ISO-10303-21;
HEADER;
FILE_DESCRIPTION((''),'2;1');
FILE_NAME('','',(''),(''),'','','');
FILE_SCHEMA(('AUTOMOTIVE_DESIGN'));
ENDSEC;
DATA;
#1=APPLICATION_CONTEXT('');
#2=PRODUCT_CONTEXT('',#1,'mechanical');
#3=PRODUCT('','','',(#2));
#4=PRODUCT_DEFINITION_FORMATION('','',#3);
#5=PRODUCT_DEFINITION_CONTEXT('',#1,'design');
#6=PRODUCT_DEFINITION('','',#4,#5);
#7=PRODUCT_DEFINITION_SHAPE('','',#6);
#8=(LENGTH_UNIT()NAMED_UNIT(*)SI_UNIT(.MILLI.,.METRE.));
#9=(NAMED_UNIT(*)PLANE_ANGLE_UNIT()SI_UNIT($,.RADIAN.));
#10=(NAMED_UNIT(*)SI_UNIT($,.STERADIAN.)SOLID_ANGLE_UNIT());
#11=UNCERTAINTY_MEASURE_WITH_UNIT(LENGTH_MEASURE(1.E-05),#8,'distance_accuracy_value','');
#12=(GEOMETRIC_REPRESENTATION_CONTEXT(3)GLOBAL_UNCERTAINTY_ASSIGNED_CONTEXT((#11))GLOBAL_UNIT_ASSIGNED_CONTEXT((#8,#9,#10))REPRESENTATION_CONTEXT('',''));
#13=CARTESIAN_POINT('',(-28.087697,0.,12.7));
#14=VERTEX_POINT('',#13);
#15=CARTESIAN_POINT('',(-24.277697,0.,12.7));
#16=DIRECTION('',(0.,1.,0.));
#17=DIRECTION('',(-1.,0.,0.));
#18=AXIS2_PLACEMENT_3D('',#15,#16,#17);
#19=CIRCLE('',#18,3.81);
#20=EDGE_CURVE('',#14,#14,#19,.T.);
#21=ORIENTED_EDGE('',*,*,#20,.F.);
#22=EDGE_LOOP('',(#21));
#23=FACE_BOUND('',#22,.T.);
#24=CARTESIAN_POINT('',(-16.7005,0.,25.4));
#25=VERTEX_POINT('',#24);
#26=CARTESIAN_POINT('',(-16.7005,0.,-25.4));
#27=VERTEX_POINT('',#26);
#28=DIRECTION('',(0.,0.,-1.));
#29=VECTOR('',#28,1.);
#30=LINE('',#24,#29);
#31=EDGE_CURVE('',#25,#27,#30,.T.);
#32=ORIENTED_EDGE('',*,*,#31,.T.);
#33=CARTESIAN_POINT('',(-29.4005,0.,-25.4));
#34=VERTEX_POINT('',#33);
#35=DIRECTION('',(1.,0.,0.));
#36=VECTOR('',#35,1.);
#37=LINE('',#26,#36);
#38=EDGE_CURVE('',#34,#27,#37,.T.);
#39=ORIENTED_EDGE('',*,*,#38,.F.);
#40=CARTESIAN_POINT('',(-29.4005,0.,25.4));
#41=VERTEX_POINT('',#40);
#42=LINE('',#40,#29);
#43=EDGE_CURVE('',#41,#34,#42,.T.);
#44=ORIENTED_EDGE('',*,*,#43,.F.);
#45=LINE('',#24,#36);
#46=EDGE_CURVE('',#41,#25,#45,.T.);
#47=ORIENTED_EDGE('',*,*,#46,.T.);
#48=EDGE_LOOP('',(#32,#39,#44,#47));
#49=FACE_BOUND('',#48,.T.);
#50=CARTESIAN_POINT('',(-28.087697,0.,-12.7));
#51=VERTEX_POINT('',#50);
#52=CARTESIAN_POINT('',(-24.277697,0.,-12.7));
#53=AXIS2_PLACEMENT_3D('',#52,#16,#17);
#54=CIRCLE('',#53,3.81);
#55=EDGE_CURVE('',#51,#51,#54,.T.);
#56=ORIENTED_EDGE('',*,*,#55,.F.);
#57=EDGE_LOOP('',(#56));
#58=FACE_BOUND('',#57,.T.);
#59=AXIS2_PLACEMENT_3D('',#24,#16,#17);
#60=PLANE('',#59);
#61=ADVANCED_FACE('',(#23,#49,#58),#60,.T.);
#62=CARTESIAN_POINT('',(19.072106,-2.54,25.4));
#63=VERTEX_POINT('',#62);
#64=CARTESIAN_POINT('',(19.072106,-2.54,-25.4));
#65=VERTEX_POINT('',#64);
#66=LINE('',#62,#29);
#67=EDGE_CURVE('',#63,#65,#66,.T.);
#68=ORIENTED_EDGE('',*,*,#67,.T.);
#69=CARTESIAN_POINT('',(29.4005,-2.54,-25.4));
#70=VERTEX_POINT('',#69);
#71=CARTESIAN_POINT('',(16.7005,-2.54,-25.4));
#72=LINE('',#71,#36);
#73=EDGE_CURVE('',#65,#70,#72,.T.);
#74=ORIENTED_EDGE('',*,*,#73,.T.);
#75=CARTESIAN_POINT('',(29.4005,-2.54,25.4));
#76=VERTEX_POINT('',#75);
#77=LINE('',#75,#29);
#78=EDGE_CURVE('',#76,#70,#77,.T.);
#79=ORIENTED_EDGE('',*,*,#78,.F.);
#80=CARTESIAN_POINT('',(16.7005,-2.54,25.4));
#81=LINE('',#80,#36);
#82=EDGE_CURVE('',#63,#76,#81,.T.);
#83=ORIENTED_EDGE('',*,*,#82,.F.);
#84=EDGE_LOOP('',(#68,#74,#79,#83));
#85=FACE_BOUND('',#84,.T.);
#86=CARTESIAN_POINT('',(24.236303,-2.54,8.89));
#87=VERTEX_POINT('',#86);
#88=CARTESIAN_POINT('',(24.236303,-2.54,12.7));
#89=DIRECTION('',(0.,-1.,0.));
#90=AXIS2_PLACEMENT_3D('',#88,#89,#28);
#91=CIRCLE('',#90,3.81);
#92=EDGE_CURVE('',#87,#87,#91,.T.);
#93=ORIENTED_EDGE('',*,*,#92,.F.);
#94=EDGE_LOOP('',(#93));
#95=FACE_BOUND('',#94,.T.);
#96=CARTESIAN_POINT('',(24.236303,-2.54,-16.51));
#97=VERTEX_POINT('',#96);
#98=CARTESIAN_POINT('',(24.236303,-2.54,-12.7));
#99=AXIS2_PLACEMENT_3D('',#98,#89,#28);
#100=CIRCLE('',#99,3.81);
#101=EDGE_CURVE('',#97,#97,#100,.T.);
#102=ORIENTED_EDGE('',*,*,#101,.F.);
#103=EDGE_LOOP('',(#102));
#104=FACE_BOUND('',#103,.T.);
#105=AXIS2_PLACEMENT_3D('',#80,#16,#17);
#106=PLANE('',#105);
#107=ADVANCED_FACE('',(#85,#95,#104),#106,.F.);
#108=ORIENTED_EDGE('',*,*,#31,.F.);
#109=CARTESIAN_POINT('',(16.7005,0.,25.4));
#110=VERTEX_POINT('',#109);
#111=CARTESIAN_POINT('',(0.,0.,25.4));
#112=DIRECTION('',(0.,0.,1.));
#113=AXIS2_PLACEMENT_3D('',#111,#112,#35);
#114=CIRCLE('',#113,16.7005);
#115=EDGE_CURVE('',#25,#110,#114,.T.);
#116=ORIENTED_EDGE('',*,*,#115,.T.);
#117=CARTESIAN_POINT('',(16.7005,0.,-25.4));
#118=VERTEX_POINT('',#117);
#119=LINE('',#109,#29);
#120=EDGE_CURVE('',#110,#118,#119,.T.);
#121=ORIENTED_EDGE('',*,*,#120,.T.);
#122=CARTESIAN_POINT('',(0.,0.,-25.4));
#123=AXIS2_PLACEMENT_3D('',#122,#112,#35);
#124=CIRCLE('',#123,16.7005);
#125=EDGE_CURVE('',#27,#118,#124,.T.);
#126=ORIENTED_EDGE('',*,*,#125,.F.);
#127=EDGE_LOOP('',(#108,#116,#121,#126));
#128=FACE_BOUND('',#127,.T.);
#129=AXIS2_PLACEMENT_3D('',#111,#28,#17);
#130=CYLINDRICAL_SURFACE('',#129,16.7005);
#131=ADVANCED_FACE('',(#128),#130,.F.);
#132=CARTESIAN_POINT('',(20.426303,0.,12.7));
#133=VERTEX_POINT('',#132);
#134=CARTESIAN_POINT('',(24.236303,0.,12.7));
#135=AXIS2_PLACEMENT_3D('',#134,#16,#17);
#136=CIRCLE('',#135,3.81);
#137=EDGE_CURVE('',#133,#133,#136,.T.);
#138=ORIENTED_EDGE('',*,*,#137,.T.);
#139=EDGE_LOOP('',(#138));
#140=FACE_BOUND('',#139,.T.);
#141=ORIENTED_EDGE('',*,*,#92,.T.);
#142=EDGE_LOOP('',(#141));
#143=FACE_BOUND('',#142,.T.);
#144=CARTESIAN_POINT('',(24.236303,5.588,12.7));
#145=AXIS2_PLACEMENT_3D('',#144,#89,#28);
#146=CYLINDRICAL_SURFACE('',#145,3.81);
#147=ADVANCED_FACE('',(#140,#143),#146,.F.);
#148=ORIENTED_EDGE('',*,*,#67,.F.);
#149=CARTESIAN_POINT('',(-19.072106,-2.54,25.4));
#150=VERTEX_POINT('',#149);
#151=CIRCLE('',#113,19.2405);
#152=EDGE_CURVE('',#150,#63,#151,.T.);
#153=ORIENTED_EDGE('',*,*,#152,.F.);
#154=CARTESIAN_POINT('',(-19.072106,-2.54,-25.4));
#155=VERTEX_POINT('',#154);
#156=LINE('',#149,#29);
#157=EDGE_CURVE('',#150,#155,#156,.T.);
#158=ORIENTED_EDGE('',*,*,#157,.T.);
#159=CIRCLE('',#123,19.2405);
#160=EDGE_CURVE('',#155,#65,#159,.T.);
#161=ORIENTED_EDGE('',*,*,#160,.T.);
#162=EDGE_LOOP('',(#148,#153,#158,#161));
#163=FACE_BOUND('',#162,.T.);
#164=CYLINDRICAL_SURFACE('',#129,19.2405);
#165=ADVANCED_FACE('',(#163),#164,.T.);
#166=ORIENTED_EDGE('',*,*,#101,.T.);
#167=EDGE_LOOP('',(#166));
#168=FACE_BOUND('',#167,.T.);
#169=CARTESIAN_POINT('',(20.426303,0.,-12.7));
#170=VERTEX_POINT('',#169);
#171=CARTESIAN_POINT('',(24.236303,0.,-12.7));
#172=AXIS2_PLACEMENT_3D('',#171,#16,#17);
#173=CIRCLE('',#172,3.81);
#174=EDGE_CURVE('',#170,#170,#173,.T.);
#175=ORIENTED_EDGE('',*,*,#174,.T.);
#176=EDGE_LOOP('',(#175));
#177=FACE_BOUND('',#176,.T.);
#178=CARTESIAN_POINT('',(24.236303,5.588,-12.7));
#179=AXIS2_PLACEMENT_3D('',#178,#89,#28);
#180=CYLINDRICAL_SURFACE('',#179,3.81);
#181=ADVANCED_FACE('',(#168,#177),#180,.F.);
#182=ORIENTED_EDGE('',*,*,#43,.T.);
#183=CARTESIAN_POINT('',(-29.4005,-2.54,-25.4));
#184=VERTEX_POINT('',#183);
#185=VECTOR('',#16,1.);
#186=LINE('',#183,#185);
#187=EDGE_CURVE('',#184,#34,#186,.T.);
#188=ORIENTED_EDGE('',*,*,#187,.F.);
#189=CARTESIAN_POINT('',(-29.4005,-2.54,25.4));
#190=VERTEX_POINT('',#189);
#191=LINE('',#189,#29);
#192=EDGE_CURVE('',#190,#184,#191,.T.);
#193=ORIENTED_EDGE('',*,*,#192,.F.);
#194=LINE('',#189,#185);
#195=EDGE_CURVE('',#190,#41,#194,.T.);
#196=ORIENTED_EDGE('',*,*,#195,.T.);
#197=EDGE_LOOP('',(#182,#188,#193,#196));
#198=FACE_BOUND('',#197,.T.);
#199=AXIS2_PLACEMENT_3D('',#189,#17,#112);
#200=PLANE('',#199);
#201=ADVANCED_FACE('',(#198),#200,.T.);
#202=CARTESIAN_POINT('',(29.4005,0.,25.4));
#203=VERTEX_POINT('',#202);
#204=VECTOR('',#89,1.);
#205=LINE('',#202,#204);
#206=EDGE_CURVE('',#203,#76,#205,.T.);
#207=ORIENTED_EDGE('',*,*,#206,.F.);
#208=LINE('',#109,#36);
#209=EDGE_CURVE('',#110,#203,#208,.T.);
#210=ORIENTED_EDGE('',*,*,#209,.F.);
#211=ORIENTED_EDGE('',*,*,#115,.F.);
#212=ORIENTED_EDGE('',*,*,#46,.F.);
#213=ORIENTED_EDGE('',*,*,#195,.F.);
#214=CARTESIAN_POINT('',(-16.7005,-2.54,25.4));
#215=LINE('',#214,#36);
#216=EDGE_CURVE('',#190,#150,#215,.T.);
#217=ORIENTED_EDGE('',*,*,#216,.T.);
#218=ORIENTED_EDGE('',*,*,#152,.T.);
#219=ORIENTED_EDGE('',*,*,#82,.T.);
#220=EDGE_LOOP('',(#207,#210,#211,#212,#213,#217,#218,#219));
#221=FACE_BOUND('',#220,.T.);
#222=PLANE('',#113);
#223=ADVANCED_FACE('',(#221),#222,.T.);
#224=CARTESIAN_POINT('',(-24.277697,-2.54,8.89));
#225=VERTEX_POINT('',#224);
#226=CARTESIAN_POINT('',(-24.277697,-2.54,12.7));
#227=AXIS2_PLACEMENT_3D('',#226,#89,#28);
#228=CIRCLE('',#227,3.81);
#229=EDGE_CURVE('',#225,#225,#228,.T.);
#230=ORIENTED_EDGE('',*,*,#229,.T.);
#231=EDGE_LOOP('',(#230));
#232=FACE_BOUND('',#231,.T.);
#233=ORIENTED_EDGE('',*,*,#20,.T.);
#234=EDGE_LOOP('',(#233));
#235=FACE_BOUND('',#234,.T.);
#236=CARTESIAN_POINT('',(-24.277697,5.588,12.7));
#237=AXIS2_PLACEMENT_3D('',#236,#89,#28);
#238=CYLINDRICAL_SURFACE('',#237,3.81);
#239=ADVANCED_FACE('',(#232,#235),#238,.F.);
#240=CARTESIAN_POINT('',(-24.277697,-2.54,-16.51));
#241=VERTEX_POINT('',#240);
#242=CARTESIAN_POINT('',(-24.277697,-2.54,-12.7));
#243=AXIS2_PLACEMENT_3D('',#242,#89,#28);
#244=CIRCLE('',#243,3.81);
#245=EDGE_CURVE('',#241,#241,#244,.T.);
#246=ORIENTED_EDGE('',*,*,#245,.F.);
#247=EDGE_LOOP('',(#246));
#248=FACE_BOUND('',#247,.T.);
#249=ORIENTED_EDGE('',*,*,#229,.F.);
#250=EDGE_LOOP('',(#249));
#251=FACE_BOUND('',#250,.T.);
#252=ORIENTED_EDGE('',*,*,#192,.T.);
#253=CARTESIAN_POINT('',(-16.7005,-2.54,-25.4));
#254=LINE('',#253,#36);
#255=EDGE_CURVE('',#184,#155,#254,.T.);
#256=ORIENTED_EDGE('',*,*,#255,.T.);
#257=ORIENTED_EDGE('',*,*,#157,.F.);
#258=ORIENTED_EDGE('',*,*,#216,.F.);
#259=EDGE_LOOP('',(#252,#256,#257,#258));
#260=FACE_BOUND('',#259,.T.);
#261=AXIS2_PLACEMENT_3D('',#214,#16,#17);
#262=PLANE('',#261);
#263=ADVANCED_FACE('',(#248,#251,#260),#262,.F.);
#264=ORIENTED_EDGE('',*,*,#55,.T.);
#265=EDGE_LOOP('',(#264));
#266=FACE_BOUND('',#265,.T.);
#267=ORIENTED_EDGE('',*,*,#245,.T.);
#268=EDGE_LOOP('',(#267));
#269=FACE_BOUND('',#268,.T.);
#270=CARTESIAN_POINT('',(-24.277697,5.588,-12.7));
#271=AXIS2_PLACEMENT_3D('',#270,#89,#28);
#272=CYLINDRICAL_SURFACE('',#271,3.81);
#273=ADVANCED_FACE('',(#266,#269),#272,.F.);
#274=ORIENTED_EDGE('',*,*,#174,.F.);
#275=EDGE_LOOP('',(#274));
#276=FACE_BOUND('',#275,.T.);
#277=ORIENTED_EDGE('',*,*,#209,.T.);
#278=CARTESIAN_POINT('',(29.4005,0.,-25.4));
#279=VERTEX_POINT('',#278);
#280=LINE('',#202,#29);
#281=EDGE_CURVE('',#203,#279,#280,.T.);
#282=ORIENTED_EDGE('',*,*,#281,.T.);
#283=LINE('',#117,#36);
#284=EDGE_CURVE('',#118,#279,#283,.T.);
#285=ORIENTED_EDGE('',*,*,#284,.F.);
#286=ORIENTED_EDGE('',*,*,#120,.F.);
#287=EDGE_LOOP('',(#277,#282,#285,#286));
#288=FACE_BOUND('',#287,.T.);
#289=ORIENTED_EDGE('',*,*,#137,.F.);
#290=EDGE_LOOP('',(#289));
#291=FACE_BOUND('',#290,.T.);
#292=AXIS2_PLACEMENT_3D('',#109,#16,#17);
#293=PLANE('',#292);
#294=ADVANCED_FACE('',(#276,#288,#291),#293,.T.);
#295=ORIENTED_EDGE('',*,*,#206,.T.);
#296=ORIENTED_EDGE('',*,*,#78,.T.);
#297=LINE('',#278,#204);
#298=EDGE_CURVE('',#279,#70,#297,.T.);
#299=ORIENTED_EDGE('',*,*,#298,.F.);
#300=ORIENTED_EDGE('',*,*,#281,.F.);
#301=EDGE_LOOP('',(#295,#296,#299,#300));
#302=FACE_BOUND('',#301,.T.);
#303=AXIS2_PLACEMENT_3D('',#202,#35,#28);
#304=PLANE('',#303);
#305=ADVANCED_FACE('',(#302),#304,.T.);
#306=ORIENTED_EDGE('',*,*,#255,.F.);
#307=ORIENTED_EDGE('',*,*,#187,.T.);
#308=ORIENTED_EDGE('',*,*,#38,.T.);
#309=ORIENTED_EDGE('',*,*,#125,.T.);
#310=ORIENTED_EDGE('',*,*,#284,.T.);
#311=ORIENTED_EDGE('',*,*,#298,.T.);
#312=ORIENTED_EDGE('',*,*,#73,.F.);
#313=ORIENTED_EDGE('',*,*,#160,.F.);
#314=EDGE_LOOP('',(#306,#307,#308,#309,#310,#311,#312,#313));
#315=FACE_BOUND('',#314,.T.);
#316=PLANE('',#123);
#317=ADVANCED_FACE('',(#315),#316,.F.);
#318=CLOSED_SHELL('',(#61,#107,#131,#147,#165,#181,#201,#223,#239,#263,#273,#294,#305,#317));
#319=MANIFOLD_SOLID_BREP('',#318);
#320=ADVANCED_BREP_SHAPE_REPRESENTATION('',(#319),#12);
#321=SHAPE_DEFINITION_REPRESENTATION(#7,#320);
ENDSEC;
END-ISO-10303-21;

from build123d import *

# Parameters (mm, degrees)
EXTRUDE_THIN1_DEPTH = 25.4
SKETCH2_R           = 3.81
CUT_EXTRUDE1_DEPTH  = 8.128


with BuildPart() as part:
    # Sketch1 → Extrude-Thin1 (new, symmetric)
    with BuildSketch(Plane.XY):
        with BuildLine():
            Line((29.4005, 0), (16.7005, 0))
            ThreePointArc((16.7005, 0), (0, -16.7005), (-16.7005, 0))
            Line((-16.7005, 0), (-29.4005, 0))
            Line((-29.4005, 0), (-29.4005, -2.54))
            Line((-29.4005, -2.54), (-19.07210634, -2.54))
            ThreePointArc((-19.07210634, -2.54), (0, -19.2405), (19.07210634, -2.54))
            Line((19.07210634, -2.54), (29.4005, -2.54))
            Line((29.4005, -2.54), (29.4005, 0))
        make_face()
    extrude(amount=EXTRUDE_THIN1_DEPTH, both=True)

    # Sketch2 → Cut-Extrude1 (cut)
    with BuildSketch(Plane.XZ.offset(2.54)):
        with Locations(Location((24.23630317, -12.7, 0), (0, 0, 270))):
            Circle(SKETCH2_R)
        with Locations(Location((24.23630317, 12.7, 0), (0, 0, 270))):
            Circle(SKETCH2_R)
        with Locations(Location((-24.27769683, 12.7, 0), (0, 0, 270))):
            Circle(SKETCH2_R)
        with Locations(Location((-24.27769683, -12.7, 0), (0, 0, 270))):
            Circle(SKETCH2_R)
    extrude(amount=-CUT_EXTRUDE1_DEPTH, mode=Mode.SUBTRACT)


solid = part.part
